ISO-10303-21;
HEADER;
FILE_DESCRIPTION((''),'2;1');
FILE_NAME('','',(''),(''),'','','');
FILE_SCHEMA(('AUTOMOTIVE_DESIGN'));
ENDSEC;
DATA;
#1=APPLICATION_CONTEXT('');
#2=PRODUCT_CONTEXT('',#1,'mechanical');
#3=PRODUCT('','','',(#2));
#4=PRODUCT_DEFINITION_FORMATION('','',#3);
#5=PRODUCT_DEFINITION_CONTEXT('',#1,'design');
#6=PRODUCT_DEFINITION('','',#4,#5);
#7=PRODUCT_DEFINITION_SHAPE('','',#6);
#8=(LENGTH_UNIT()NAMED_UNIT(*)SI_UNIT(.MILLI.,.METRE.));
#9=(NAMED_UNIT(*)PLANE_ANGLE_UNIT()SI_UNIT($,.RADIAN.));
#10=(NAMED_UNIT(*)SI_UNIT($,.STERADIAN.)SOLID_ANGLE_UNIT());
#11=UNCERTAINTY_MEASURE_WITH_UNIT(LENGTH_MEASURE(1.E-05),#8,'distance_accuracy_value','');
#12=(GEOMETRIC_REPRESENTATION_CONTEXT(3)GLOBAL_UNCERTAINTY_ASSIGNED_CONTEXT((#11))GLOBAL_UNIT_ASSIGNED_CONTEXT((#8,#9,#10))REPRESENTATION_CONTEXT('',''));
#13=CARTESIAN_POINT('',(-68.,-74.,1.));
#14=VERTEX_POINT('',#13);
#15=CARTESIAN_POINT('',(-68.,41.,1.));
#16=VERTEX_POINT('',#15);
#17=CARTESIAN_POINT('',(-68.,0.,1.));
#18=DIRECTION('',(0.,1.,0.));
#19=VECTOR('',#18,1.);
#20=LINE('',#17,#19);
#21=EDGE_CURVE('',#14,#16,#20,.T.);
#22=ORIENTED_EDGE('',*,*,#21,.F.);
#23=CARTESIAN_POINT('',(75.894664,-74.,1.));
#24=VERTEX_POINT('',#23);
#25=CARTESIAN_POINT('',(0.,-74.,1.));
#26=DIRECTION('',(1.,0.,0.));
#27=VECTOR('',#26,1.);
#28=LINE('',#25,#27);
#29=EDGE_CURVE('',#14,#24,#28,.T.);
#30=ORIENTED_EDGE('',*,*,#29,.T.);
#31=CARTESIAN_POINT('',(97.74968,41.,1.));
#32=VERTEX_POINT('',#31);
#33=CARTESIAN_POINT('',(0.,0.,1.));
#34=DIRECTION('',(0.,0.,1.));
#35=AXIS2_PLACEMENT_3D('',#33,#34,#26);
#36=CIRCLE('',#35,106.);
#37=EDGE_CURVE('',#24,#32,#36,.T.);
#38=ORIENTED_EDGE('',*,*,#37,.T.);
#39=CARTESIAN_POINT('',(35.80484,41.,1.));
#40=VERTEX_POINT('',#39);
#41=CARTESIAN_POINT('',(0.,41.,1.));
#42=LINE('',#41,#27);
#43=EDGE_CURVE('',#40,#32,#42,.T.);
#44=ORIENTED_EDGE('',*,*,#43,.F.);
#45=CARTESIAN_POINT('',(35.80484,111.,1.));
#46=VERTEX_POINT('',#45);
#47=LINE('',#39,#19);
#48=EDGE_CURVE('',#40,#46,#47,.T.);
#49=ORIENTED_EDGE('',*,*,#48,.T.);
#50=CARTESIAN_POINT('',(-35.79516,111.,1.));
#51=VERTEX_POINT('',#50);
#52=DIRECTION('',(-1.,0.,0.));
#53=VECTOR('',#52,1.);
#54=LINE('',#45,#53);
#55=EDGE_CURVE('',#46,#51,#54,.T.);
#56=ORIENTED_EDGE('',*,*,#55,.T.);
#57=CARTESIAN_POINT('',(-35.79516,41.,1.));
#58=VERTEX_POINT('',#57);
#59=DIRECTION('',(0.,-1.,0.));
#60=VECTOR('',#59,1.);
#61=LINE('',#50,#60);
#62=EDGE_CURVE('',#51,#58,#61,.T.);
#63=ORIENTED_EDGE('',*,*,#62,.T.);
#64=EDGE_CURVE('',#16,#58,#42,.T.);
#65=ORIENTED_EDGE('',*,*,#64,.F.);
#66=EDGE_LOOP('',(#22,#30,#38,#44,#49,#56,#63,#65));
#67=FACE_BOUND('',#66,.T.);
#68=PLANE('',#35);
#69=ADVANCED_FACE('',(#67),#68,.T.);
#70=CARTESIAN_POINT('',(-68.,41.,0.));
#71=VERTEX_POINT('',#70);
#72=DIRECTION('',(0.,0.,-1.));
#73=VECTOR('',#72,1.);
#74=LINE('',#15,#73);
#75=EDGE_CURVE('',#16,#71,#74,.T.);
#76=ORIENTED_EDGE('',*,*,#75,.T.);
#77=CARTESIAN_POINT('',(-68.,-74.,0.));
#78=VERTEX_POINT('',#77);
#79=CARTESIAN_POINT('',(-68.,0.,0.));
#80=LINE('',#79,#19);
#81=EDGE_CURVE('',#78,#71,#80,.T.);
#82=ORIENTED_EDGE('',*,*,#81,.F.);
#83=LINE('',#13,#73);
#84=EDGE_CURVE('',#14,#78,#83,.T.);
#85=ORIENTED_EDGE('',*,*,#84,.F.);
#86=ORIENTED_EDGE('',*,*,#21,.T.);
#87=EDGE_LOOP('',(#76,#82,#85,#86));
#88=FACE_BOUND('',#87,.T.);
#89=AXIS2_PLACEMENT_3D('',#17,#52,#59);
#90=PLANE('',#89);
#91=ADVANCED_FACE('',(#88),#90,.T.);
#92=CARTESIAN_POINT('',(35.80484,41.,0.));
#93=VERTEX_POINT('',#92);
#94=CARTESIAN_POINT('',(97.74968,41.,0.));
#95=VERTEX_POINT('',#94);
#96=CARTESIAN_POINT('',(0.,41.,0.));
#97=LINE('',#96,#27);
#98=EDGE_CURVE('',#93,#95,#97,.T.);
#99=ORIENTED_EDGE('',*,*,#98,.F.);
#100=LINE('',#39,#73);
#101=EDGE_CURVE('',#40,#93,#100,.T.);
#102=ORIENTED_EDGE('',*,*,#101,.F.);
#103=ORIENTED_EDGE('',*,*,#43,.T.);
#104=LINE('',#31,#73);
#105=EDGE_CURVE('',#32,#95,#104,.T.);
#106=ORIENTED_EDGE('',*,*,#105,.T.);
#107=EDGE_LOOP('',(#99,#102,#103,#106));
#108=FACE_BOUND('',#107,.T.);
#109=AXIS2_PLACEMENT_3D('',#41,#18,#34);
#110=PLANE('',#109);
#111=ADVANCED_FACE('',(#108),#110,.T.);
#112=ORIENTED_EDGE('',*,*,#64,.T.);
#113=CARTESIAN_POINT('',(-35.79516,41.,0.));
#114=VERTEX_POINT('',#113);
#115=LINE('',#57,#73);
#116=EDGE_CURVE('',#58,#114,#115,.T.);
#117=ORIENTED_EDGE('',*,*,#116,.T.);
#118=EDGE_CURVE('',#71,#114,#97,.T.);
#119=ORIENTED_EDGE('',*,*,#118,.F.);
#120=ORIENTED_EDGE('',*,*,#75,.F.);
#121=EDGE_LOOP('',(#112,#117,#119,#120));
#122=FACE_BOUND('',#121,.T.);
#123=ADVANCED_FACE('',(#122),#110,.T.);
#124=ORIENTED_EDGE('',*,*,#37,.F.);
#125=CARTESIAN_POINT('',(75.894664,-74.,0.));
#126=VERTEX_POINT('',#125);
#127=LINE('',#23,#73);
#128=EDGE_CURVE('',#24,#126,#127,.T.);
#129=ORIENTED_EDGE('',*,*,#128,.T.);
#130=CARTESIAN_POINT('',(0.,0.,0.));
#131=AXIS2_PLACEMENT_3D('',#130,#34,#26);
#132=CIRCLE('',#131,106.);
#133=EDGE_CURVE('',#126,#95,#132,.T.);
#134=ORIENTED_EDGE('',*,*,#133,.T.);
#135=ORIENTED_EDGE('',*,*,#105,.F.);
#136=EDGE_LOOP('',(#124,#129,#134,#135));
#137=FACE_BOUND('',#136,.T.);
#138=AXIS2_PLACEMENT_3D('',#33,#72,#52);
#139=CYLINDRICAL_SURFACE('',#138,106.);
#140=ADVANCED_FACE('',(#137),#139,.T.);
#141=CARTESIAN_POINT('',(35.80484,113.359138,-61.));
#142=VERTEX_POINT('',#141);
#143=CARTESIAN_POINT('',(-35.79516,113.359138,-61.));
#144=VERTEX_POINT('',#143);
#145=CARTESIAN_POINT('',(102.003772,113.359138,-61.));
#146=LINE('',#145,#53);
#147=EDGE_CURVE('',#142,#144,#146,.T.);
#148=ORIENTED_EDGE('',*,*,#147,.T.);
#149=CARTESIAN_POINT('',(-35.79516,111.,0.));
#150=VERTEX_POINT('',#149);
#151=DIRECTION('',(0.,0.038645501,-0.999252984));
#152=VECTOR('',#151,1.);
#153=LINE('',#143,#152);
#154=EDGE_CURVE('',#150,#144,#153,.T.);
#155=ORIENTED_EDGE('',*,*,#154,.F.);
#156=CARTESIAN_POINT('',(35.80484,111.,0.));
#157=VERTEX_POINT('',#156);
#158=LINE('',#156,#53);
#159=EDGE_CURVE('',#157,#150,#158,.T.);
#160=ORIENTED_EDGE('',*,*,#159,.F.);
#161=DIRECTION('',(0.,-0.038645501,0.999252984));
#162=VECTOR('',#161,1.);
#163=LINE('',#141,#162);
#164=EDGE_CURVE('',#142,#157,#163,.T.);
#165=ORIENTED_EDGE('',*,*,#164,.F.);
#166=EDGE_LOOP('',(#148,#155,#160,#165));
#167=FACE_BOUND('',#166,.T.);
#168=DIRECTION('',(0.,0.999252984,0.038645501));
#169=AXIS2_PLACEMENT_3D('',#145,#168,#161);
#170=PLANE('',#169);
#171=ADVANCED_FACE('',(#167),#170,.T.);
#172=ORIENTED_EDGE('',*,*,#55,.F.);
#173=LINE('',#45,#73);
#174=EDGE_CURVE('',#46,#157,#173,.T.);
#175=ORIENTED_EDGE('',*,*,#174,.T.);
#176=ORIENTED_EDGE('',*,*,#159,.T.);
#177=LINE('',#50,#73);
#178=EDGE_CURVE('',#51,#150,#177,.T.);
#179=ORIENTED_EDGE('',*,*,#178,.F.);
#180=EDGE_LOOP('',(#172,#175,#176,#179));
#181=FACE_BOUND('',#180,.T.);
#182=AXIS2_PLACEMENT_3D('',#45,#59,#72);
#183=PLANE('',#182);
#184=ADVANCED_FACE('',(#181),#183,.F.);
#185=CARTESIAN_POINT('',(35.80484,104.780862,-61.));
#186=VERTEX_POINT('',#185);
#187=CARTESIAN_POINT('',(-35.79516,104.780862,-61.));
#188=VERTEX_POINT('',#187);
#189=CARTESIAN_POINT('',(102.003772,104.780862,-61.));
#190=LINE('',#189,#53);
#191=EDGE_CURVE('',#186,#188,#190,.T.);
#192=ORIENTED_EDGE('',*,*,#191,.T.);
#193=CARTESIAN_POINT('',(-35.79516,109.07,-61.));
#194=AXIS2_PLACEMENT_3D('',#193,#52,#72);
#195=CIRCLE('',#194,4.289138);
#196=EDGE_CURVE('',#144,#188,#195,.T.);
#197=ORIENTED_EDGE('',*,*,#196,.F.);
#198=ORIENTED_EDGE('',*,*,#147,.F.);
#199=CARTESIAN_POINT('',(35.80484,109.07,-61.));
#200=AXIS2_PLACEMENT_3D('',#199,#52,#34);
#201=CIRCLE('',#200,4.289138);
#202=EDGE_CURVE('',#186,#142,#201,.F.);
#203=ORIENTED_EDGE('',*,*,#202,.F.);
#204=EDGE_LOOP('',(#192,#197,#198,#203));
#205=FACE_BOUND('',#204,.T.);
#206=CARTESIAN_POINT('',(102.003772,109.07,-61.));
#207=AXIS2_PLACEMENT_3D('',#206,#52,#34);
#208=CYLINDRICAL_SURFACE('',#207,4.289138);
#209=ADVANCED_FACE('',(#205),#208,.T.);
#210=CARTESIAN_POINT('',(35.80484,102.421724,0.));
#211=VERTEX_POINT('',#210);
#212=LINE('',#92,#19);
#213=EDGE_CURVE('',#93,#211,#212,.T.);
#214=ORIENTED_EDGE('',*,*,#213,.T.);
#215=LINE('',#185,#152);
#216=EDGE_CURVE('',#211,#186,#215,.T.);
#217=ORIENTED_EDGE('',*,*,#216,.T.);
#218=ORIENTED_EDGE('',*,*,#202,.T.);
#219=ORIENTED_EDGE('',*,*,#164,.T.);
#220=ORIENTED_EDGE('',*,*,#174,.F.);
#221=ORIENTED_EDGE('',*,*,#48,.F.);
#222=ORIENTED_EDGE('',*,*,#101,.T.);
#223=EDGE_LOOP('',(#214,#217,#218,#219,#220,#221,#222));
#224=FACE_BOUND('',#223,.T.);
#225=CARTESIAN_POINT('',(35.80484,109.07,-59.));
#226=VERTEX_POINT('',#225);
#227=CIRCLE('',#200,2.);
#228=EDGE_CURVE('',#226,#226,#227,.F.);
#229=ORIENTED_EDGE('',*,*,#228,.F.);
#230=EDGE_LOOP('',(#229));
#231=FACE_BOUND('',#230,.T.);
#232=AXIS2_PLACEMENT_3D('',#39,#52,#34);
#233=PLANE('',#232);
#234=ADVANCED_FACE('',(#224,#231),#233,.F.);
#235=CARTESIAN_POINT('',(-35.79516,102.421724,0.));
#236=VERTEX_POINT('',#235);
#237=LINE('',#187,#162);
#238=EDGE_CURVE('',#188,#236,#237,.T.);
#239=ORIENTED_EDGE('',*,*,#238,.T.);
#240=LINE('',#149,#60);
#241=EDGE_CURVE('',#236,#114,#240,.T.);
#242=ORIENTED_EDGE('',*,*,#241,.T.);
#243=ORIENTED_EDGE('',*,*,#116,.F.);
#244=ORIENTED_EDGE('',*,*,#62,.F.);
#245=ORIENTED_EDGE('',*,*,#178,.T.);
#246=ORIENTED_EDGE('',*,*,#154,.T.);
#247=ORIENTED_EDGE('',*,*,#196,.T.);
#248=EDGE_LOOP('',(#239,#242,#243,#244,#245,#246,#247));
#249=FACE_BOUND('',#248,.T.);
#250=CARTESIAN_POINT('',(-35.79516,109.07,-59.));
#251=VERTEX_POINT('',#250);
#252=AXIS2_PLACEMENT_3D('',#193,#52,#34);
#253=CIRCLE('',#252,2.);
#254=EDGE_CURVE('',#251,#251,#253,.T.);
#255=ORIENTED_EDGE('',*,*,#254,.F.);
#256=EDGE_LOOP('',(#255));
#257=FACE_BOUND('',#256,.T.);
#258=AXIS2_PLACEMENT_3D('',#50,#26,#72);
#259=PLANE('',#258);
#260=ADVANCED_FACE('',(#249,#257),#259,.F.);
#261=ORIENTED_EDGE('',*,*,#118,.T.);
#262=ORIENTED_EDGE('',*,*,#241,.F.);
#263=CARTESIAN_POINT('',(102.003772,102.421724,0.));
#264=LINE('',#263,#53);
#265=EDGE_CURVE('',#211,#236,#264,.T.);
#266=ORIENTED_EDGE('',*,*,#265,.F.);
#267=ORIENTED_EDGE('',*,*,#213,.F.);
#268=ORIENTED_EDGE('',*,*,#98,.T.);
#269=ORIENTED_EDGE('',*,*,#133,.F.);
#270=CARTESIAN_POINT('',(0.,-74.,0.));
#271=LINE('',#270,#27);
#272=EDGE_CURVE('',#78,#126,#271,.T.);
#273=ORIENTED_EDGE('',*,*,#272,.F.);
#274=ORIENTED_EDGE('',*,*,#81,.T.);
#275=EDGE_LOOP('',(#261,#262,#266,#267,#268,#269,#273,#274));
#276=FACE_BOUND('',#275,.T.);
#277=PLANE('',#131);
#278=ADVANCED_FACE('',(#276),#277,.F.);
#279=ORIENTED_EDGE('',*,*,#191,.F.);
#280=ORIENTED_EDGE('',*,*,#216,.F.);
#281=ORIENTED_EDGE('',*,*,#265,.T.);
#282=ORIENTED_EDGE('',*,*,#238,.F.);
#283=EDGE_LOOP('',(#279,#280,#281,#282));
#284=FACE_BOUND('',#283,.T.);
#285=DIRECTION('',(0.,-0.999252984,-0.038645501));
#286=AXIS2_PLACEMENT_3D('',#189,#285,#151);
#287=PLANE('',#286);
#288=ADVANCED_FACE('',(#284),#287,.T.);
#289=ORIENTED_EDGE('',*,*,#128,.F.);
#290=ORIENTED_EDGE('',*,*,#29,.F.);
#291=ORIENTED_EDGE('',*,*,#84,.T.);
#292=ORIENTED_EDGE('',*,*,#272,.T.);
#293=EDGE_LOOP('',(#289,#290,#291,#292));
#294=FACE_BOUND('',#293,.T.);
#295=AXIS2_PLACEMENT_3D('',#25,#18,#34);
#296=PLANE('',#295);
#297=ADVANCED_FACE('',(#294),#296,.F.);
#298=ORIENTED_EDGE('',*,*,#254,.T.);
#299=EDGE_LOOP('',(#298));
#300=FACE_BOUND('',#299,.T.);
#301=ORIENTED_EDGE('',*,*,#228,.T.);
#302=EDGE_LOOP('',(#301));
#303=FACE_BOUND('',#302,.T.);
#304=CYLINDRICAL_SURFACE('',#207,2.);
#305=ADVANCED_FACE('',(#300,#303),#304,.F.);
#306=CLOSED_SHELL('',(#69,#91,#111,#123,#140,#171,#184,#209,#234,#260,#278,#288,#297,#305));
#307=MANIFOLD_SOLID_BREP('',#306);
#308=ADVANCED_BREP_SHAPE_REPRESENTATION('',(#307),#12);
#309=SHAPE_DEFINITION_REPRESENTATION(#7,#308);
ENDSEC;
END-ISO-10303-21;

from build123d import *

# Parameters (mm, degrees)
ESTRUSIONE_ESTRUSIONE1_DEPTH = 1
SCHIZZO2_W                   = 71.6
SCHIZZO2_H                   = 70
ESTRUSIONE_ESTRUSIONE2_DEPTH = 1
SCHIZZO3_R                   = 2
ESTRUSIONE_ESTRUSIONE3_DEPTH = 71.6


with BuildPart() as part:
    # Schizzo1 → Estrusione-Estrusione1 (new body)
    with BuildSketch(Plane(origin=(0, 0, 0), x_dir=(-1, 0, 0), z_dir=(0, 0, 1))):
        with BuildLine():
            Line((68, -41), (68, 74))
            Line((68, 74), (-75.894663844, 74))
            ThreePointArc((-75.894663844, 74), (-104.136158772, 19.790412733), (-97.749680306, -41))
            Line((-97.749680306, -41), (68, -41))
        make_face()
    extrude(amount=ESTRUSIONE_ESTRUSIONE1_DEPTH)

    # Schizzo2 → Estrusione-Estrusione2 (add)
    with BuildSketch(Plane(origin=(0, 0, 0), x_dir=(-1, 0, 0), z_dir=(0, 0, -1))):
        with Locations((-0.004840153, 76)):
            Rectangle(SCHIZZO2_W, SCHIZZO2_H)
    extrude(amount=-ESTRUSIONE_ESTRUSIONE2_DEPTH)

    # Schizzo3 → Estrusione-Estrusione3 (add)
    with BuildSketch(Plane.ZY.offset(35.795159847)):
        with BuildLine():
            Line((-61, 113.35913787), (0, 111))
            Line((0, 111), (0, 102.42172426))
            Line((0, 102.42172426), (-61, 104.78086213))
            ThreePointArc((-61, 104.78086213), (-65.28913787, 109.07), (-61, 113.35913787))
        make_face()
        with Locations((-61, 109.07)):
            Circle(SCHIZZO3_R, mode=Mode.SUBTRACT)
    extrude(amount=-ESTRUSIONE_ESTRUSIONE3_DEPTH)


solid = part.part
